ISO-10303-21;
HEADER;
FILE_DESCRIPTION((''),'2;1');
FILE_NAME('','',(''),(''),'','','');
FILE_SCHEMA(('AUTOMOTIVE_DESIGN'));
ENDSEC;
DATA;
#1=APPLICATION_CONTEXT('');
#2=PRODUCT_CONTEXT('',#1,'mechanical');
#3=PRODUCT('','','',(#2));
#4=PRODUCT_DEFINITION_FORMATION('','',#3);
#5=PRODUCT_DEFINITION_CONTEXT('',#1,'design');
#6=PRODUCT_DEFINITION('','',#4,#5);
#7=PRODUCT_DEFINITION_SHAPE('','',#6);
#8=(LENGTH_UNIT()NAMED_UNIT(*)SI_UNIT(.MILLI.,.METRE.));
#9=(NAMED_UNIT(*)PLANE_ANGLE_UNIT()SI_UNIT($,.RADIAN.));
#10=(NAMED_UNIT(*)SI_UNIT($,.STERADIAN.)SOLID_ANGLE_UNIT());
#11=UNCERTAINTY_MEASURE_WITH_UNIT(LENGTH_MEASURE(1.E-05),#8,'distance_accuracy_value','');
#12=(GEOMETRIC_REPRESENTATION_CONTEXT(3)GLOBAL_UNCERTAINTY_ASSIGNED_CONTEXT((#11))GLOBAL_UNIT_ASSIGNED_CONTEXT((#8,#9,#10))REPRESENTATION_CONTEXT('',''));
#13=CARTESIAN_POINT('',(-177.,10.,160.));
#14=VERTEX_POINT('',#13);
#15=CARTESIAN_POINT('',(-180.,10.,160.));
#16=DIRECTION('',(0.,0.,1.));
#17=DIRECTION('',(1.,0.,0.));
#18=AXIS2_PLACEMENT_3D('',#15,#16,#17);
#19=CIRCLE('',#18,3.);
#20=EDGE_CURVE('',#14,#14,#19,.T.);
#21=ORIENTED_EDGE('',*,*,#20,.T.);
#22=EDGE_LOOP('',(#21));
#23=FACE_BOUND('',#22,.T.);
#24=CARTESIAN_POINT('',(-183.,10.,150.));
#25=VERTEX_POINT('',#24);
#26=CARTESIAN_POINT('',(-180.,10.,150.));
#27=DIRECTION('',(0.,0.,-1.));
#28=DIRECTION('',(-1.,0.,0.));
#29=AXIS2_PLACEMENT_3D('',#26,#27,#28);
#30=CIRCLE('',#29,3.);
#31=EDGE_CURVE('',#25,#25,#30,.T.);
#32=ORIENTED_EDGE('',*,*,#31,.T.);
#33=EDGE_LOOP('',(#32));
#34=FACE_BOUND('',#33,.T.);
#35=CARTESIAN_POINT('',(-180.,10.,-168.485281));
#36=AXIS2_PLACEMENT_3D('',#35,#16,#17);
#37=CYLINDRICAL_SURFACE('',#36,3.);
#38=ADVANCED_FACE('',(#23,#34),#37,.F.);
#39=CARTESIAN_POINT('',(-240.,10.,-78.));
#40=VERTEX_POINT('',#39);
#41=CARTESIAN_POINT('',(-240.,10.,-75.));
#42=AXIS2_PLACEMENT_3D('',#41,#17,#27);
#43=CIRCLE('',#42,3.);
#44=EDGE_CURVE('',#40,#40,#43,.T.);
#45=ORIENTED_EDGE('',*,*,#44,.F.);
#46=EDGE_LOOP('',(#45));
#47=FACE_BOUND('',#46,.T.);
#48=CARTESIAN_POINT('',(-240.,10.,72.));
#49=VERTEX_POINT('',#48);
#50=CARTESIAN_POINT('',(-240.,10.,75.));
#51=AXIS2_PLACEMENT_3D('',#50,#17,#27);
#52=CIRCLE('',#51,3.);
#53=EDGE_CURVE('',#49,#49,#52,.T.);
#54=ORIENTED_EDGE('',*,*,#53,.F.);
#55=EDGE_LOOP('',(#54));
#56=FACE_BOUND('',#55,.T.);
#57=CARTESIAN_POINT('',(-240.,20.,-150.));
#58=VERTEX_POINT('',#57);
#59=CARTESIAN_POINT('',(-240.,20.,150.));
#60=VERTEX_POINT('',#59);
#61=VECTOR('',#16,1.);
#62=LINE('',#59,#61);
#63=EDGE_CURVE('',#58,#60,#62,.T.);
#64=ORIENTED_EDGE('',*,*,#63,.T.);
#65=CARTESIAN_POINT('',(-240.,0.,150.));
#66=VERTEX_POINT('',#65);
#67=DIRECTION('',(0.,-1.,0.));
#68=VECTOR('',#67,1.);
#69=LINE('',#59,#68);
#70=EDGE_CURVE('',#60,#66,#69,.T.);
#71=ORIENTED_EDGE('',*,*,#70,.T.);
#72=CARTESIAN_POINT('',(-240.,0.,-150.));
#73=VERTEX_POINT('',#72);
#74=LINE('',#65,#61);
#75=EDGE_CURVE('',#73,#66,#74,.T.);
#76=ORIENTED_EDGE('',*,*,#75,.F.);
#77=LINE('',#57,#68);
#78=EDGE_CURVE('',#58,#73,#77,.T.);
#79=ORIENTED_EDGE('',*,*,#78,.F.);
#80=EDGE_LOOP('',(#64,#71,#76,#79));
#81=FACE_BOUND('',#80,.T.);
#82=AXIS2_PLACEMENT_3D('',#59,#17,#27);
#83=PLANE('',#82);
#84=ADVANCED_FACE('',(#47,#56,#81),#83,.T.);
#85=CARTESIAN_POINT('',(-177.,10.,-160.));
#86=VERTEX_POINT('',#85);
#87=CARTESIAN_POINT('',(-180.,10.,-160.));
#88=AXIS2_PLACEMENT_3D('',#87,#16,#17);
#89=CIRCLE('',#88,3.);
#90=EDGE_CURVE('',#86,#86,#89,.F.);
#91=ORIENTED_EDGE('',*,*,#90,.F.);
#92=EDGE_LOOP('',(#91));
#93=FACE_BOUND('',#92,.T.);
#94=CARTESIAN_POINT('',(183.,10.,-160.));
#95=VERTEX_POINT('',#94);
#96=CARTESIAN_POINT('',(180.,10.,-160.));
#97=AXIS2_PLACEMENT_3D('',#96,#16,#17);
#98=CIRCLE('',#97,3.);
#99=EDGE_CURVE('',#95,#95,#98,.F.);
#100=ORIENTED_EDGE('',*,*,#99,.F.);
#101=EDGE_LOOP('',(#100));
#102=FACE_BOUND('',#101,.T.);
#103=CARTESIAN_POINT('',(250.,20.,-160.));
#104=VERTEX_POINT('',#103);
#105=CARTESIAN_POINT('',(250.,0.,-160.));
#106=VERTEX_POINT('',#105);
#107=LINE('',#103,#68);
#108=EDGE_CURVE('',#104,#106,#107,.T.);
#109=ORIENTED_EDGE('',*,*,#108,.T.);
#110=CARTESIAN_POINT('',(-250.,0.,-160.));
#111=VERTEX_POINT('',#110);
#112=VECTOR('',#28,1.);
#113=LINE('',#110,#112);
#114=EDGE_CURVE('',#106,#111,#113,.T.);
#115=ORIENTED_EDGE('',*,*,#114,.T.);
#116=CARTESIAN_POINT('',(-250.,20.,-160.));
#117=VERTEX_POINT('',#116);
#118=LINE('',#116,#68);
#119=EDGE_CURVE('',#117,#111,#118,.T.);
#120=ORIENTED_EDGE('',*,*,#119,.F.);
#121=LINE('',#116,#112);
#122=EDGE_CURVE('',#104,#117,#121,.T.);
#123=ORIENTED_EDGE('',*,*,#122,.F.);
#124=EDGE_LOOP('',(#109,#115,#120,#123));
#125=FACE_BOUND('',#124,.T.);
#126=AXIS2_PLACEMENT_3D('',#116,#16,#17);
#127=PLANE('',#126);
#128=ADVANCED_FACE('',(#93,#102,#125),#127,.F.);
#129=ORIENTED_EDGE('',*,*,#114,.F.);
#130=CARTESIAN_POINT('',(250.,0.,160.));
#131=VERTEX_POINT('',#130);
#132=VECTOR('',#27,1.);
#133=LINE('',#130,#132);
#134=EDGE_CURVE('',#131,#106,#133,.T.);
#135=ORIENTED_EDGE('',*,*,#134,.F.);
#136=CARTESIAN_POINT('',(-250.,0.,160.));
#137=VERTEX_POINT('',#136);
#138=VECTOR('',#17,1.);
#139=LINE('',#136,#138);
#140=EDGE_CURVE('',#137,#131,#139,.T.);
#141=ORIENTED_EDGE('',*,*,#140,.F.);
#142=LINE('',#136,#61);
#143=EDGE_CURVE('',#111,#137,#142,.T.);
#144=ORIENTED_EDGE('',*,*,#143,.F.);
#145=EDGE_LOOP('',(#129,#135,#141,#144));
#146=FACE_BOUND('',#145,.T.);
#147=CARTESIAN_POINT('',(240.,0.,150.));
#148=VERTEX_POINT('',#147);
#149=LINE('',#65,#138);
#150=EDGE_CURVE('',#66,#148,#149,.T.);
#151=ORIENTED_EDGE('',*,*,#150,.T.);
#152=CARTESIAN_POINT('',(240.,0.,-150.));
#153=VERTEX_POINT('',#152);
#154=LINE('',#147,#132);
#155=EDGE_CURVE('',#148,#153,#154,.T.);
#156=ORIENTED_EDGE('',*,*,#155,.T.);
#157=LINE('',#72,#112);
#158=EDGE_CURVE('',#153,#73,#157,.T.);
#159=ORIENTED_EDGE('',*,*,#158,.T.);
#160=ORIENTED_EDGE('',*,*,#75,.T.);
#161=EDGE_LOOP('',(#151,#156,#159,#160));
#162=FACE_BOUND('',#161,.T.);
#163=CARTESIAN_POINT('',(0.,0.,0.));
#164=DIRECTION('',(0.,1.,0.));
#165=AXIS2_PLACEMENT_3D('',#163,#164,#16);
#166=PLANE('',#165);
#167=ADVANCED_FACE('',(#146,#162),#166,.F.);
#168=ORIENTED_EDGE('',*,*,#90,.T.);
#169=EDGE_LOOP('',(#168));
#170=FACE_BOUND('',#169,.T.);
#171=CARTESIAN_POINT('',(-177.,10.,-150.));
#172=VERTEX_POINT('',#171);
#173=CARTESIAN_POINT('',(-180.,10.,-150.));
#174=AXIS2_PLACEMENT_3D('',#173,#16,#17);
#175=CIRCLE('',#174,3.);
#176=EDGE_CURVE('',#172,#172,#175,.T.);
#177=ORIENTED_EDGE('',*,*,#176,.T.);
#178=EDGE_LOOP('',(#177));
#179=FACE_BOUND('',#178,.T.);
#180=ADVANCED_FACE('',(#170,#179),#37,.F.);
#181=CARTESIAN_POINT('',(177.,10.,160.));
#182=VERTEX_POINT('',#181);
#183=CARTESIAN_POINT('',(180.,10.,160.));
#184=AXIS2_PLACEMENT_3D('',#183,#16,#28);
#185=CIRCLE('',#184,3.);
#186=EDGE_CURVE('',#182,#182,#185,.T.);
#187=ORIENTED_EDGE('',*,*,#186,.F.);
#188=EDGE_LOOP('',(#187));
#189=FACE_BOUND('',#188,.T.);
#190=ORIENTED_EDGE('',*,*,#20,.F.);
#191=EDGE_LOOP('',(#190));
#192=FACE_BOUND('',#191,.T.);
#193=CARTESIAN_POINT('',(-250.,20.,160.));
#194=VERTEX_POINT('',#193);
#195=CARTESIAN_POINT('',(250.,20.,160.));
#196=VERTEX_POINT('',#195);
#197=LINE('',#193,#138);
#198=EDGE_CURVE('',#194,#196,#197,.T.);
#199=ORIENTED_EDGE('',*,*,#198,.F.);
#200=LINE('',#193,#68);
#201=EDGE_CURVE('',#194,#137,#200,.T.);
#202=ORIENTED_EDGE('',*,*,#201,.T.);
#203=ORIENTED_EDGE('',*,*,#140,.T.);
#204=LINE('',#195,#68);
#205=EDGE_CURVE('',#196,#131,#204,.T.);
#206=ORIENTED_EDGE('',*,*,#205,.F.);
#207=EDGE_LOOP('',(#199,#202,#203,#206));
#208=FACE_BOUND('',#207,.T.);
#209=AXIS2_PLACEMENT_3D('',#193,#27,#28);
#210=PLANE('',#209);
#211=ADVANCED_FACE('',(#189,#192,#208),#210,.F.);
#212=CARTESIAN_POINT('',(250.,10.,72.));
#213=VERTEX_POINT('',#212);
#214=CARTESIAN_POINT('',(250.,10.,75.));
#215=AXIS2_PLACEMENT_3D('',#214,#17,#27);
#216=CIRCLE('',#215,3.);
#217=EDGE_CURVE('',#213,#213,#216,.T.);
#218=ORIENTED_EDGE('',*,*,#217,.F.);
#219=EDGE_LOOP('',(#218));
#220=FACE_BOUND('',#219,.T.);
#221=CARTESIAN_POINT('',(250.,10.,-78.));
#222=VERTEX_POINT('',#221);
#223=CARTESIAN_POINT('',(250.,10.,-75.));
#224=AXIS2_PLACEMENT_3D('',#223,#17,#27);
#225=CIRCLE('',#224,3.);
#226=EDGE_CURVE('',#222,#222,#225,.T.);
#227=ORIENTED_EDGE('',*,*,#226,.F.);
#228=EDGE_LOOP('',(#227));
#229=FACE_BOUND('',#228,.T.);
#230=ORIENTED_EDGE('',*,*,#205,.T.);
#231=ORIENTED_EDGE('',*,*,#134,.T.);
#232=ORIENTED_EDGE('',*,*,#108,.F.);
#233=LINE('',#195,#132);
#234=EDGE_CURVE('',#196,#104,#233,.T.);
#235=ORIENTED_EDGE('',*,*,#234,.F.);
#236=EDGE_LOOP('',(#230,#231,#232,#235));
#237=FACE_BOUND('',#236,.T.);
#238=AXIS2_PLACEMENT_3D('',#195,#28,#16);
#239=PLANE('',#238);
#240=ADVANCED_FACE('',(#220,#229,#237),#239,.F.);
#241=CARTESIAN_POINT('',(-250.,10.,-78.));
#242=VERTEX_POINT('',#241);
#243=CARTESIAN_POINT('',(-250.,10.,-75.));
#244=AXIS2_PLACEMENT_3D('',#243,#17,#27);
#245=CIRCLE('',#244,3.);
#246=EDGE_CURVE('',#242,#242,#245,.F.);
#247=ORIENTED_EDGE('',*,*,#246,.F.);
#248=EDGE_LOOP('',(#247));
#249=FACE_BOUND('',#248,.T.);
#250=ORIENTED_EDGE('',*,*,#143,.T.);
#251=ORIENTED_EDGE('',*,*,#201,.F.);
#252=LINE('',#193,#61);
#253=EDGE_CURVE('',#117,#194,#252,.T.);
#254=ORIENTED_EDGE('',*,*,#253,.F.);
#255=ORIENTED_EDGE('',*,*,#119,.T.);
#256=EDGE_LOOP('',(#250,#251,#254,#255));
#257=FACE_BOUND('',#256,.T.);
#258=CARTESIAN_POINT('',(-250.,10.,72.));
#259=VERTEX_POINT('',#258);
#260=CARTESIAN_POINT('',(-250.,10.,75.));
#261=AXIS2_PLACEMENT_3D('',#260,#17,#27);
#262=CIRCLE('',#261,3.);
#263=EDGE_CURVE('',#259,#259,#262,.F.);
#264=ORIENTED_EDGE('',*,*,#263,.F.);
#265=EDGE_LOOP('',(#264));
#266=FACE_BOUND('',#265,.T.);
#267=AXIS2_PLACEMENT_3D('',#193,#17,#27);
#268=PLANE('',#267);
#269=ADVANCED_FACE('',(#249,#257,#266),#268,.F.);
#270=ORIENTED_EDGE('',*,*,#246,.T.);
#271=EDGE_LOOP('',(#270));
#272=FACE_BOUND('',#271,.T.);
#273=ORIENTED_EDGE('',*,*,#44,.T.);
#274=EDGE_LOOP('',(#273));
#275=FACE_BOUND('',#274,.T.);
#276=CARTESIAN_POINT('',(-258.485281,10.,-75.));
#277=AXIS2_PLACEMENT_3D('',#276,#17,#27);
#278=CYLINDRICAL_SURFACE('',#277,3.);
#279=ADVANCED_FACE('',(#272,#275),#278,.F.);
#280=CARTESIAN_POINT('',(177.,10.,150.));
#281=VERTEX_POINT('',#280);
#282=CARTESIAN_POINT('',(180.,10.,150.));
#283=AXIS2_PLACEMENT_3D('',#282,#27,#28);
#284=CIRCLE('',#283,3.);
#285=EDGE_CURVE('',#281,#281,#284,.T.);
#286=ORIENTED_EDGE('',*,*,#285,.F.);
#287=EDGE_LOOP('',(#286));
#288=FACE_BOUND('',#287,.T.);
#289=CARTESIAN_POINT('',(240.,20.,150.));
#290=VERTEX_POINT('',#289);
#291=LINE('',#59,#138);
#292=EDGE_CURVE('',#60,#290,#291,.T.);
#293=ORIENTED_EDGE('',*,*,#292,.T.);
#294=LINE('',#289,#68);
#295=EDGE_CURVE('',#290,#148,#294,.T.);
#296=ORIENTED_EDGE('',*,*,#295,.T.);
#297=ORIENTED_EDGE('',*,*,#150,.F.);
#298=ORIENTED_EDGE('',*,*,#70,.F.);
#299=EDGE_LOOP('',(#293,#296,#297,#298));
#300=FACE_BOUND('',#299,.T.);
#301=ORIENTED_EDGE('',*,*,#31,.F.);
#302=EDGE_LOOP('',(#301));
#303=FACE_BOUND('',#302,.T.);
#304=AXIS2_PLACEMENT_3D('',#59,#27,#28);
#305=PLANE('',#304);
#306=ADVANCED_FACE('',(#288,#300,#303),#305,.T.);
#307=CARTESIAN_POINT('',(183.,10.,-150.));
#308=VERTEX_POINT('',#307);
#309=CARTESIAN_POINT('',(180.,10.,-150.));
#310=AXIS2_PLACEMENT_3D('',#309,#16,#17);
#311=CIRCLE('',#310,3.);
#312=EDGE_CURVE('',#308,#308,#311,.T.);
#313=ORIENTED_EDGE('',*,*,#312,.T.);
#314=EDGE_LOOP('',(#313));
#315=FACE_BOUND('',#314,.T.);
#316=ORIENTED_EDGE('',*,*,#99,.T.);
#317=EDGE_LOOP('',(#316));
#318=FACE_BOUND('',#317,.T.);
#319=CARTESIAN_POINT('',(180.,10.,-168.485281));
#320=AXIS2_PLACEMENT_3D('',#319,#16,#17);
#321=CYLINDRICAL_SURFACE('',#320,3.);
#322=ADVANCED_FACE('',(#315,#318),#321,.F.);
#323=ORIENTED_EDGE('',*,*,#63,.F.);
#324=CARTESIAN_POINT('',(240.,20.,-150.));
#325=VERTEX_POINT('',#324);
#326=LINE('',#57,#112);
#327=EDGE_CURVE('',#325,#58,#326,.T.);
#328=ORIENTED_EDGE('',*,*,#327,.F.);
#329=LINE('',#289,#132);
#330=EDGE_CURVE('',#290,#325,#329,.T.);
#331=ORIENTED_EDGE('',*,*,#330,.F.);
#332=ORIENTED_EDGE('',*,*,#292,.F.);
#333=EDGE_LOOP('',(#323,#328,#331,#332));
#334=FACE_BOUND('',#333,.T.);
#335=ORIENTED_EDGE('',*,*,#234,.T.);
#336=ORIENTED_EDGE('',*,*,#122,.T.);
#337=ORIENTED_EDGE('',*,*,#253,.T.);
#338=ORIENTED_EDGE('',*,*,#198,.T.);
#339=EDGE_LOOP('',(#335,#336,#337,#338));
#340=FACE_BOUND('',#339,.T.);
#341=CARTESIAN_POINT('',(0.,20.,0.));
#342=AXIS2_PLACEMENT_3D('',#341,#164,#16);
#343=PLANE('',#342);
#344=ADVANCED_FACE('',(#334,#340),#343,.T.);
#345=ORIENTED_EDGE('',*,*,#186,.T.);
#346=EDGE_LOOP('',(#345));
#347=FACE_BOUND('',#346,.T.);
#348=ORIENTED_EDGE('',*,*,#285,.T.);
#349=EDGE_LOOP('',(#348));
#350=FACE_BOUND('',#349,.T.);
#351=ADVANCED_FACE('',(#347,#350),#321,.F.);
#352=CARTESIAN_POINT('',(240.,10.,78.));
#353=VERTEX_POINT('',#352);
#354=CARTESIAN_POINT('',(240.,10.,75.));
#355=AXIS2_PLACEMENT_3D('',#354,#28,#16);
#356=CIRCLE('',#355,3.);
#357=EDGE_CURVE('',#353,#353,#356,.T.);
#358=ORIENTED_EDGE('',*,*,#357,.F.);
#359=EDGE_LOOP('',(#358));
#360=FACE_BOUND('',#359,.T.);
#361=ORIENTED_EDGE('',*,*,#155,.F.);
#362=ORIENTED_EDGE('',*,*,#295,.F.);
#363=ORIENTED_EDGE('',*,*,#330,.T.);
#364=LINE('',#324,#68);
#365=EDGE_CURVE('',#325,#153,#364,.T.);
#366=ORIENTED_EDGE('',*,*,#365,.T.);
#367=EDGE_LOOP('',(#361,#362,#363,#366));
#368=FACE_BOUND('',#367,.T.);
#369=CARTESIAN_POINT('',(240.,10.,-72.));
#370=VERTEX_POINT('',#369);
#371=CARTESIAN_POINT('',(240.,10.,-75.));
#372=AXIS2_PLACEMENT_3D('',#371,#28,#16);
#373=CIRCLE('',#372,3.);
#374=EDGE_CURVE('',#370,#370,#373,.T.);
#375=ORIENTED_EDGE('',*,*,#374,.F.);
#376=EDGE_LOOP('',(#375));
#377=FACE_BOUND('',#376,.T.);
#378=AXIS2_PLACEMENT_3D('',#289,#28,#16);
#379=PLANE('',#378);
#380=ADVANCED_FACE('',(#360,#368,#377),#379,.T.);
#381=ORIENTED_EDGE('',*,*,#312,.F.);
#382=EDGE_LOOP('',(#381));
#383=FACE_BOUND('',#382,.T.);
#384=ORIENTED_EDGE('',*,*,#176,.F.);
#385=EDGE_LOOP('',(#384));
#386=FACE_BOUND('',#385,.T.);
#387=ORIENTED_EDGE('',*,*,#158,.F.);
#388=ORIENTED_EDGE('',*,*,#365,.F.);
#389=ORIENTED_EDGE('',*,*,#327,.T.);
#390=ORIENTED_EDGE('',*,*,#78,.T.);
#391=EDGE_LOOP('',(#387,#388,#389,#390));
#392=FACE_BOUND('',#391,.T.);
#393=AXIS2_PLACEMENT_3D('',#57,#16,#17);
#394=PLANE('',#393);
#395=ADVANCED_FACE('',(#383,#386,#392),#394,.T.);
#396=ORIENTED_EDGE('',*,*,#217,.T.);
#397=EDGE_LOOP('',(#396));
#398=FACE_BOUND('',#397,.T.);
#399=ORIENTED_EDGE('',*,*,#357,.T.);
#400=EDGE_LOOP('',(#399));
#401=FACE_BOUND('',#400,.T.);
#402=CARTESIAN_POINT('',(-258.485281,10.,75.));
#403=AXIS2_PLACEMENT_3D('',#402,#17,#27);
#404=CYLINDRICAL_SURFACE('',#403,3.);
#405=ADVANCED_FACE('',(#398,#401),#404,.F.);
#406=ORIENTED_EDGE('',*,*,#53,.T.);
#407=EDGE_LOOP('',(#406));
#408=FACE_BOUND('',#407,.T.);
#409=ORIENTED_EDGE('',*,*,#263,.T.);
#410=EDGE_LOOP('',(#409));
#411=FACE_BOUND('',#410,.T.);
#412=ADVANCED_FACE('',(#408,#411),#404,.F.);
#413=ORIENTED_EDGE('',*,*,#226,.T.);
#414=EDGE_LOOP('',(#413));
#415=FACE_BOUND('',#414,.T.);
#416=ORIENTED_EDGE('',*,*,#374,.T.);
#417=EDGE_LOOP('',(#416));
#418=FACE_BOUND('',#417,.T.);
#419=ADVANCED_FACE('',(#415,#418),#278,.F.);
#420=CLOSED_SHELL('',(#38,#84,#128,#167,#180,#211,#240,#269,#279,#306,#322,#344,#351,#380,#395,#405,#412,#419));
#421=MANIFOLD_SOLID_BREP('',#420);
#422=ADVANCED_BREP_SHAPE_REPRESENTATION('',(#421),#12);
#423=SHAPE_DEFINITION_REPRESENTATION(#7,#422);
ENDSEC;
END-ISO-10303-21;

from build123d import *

# Parameters (mm, degrees)
SKETCH1_W           = 500
SKETCH1_H           = 320
SKETCH1_W_2         = 480
SKETCH1_H_2         = 300
BOSS_EXTRUDE1_DEPTH = 20
SKETCH2_R           = 3
CUT_EXTRUDE1_DEPTH  = 500
SKETCH3_R           = 3
CUT_EXTRUDE2_DEPTH  = 320


with BuildPart() as part:
    # Sketch1 → Boss-Extrude1 (new body)
    with BuildSketch(Plane(origin=(0, 0, 0), x_dir=(1, 0, 0), z_dir=(0, 1, 0))):
        Rectangle(SKETCH1_W, SKETCH1_H)
        Rectangle(SKETCH1_W_2, SKETCH1_H_2, mode=Mode.SUBTRACT)
    extrude(amount=BOSS_EXTRUDE1_DEPTH)

    # Sketch2 → Cut-Extrude1 (cut)
    with BuildSketch(Plane(origin=(250, 0, 0), x_dir=(0, 0, -1), z_dir=(1, 0, 0))):
        with Locations((75, 10)):
            Circle(SKETCH2_R)
        with Locations((-75, 10)):
            Circle(SKETCH2_R)
    extrude(amount=-CUT_EXTRUDE1_DEPTH, mode=Mode.SUBTRACT)

    # Sketch3 → Cut-Extrude2 (cut)
    with BuildSketch(Plane.XY.offset(160)):
        with Locations((-180, 10)):
            Circle(SKETCH3_R)
        with Locations((180, 10)):
            Circle(SKETCH3_R)
    extrude(amount=-CUT_EXTRUDE2_DEPTH, mode=Mode.SUBTRACT)


solid = part.part
